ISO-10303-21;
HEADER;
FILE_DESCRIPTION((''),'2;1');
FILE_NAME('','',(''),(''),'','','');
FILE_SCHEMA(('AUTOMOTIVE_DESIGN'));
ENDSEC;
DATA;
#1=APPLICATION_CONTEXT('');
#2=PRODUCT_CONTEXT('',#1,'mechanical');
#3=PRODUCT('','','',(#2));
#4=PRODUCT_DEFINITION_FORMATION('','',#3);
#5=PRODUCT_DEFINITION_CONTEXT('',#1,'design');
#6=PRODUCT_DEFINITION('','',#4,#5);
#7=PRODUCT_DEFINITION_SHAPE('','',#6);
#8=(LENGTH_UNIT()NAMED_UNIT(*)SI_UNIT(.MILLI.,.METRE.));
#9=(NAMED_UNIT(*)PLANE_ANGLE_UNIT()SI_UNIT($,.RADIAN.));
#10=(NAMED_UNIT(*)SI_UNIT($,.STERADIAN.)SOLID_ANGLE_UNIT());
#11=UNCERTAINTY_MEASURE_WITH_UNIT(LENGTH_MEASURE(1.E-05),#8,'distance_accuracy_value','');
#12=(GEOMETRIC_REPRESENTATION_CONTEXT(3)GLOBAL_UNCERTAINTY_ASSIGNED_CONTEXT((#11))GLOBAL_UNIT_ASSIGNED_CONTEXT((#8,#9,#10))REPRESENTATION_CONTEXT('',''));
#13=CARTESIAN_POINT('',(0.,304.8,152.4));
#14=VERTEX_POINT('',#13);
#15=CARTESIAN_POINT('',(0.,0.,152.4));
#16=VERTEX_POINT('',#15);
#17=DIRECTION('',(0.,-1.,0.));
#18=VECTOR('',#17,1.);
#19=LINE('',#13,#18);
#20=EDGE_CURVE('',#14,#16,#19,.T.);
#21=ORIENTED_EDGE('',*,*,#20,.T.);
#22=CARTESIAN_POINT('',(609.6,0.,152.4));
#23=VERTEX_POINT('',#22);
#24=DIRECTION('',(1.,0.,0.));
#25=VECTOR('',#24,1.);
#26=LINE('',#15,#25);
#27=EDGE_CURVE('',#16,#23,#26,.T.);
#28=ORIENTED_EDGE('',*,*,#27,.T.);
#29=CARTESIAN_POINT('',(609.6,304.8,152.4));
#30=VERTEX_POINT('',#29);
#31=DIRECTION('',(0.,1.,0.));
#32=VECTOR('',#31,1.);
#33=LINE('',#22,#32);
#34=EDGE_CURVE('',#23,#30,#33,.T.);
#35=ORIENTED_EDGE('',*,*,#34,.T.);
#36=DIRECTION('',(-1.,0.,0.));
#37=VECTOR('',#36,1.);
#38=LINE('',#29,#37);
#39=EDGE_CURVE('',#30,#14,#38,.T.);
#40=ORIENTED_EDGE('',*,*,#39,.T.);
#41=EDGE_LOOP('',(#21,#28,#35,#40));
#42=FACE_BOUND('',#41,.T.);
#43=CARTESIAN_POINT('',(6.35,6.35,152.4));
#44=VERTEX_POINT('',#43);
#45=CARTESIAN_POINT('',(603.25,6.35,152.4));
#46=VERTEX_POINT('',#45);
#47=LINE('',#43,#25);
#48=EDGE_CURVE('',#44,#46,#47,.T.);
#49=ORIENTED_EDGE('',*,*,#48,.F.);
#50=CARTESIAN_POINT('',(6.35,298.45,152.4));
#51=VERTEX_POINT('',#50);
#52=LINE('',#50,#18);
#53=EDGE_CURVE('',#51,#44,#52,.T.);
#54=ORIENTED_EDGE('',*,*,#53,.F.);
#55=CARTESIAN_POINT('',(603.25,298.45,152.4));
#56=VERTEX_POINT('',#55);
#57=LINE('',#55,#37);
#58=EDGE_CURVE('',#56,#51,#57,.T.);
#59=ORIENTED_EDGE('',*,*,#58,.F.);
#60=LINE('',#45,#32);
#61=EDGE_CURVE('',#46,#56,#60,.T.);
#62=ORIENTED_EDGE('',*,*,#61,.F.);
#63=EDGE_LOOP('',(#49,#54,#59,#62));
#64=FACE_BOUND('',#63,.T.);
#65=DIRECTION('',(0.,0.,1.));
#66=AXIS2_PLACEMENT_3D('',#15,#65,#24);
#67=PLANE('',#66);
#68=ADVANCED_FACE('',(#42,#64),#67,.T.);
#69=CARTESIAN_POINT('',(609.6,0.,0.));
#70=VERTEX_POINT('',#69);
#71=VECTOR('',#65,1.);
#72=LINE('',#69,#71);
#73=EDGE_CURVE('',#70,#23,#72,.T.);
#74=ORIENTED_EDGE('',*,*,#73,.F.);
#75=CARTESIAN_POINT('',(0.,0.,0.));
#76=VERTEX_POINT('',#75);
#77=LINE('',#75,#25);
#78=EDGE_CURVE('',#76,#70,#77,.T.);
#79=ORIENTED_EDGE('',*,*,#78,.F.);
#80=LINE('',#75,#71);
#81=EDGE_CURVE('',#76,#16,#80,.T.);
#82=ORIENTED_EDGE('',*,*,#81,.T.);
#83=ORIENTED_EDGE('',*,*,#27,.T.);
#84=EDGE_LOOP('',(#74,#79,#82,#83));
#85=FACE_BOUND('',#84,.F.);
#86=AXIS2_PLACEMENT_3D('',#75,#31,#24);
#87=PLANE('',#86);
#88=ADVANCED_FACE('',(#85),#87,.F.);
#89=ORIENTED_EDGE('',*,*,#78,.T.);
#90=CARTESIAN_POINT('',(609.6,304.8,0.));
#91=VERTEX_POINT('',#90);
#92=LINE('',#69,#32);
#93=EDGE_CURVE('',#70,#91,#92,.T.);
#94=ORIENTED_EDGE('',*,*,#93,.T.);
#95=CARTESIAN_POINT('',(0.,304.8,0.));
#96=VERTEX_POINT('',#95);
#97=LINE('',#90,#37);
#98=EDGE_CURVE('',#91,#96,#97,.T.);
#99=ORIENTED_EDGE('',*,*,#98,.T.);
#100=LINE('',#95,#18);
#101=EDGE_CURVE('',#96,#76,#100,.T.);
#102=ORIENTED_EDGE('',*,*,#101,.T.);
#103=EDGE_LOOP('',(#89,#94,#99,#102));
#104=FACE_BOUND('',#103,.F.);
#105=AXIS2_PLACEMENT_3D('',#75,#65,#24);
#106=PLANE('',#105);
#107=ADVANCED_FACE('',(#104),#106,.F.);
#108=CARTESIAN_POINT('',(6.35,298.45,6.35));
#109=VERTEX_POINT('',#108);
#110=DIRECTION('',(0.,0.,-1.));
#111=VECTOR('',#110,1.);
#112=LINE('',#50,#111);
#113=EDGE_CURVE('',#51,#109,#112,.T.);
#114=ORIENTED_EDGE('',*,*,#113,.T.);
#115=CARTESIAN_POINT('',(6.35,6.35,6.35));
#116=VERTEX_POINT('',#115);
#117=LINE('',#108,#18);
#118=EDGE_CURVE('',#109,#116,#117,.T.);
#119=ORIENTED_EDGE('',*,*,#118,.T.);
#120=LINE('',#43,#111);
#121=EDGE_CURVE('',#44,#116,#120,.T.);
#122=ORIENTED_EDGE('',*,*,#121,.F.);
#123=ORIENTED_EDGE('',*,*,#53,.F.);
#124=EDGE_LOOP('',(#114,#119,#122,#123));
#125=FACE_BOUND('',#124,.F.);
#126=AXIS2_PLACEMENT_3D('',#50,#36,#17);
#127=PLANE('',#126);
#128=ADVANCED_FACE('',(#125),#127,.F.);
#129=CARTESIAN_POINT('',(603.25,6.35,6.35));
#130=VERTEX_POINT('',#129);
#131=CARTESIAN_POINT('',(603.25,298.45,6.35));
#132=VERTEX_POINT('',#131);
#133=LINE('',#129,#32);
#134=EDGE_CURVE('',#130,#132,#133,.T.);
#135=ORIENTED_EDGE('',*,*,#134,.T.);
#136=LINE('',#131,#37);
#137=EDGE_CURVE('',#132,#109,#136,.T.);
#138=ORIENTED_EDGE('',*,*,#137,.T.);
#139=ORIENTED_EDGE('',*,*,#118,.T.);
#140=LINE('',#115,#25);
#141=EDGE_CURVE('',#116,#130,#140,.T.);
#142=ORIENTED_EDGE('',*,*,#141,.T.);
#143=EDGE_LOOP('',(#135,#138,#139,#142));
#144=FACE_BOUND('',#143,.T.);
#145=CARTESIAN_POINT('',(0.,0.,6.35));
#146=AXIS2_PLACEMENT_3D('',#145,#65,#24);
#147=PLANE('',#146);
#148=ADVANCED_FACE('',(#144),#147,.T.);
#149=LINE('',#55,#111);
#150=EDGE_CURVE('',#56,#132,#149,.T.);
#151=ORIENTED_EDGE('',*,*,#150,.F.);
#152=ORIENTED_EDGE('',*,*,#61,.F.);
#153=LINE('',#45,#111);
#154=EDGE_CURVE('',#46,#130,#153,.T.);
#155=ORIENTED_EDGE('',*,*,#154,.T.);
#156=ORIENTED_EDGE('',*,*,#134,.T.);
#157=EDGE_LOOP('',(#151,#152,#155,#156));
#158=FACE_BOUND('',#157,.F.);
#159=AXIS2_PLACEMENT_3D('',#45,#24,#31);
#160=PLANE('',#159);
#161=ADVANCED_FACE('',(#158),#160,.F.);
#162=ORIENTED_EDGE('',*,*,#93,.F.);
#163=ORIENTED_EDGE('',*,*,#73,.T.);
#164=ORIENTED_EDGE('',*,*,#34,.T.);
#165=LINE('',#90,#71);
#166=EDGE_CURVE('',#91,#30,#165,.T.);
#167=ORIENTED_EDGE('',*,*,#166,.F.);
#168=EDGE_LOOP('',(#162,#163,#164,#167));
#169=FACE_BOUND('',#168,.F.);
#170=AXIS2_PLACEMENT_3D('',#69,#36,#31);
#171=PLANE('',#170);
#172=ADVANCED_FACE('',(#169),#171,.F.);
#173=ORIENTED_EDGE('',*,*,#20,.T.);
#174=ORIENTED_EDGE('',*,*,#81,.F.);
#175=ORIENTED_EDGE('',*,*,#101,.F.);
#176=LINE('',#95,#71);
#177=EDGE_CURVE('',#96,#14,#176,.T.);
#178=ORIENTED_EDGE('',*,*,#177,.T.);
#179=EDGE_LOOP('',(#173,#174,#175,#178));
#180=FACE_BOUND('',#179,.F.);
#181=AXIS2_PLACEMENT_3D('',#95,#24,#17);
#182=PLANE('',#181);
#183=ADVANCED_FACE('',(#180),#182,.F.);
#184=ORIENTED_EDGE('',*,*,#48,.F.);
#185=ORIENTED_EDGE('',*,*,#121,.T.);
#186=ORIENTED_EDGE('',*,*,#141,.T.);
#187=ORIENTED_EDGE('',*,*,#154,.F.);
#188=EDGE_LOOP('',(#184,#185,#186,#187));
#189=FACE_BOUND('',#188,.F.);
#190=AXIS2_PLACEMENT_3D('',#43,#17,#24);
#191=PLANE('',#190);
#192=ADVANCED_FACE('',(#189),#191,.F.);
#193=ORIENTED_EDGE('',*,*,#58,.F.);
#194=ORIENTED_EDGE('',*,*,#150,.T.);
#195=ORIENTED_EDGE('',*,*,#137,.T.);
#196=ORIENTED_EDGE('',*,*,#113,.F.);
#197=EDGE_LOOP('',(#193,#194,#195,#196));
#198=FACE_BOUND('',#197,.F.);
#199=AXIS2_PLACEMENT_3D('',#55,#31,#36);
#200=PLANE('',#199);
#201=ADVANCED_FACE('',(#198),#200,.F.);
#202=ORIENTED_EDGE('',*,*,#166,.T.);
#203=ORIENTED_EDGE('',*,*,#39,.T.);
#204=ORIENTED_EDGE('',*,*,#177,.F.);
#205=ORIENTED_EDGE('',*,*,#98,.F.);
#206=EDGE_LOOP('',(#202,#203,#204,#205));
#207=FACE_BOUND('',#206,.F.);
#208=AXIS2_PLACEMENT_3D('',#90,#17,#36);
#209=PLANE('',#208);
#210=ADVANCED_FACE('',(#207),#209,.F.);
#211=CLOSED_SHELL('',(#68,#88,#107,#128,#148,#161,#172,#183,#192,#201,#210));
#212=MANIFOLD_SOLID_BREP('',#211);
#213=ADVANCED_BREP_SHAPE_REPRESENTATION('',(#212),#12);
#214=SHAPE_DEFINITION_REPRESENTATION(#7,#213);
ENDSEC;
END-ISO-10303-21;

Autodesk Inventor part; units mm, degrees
ref_plane "YZ Plane" through (0, 0, 0) normal (1, 0, 0) x (0, 1, 0)
ref_plane "XZ Plane" through (0, 0, 0) normal (0, 1, 0) x (-1, 0, 0)
ref_plane "XY Plane" through (0, 0, 0) normal (0, 0, 1) x (1, 0, 0)
sketch "Sketch1" plane through (0, 0, 0) normal (0, 0, 1) x (1, 0, 0)
  line L0 (0, 0) -> (609.6, 0)
  line L1 (609.6, 0) -> (609.6, 304.8)
  line L2 (609.6, 304.8) -> (0, 304.8)
  line L3 (0, 304.8) -> (0, 0)
  dimension "d0" = 609.6
  dimension "d1" = 304.8
extrude "Extrusion1" add sketch "Sketch1" along normal blind 152.4
sketch "Sketch2" plane through (0, 0, 152.4) normal (0, 0, 1) x (1, 0, 0)
  line L0 (0, 0) -> (0, 304.8) projected
  line L1 (609.6, 0) -> (0, 0) projected
  line L2 (609.6, 304.8) -> (609.6, 0) projected
  line L3 (0, 304.8) -> (609.6, 304.8) projected
  line L4 (6.35, 6.35) -> (603.25, 6.35)
  line L5 (603.25, 6.35) -> (603.25, 298.45)
  line L6 (603.25, 298.45) -> (6.35, 298.45)
  line L7 (6.35, 298.45) -> (6.35, 6.35)
  dimension "d4" = 6.35
  dimension "d5" = 6.35
  dimension "d6" = 6.35
  dimension "d7" = 6.35
extrude "Extrusion2" cut sketch "Sketch2" against normal blind 146.05 contours L7 L6 L5 L4
properties part number "electrical shelfing" material "Aluminum-6061"
